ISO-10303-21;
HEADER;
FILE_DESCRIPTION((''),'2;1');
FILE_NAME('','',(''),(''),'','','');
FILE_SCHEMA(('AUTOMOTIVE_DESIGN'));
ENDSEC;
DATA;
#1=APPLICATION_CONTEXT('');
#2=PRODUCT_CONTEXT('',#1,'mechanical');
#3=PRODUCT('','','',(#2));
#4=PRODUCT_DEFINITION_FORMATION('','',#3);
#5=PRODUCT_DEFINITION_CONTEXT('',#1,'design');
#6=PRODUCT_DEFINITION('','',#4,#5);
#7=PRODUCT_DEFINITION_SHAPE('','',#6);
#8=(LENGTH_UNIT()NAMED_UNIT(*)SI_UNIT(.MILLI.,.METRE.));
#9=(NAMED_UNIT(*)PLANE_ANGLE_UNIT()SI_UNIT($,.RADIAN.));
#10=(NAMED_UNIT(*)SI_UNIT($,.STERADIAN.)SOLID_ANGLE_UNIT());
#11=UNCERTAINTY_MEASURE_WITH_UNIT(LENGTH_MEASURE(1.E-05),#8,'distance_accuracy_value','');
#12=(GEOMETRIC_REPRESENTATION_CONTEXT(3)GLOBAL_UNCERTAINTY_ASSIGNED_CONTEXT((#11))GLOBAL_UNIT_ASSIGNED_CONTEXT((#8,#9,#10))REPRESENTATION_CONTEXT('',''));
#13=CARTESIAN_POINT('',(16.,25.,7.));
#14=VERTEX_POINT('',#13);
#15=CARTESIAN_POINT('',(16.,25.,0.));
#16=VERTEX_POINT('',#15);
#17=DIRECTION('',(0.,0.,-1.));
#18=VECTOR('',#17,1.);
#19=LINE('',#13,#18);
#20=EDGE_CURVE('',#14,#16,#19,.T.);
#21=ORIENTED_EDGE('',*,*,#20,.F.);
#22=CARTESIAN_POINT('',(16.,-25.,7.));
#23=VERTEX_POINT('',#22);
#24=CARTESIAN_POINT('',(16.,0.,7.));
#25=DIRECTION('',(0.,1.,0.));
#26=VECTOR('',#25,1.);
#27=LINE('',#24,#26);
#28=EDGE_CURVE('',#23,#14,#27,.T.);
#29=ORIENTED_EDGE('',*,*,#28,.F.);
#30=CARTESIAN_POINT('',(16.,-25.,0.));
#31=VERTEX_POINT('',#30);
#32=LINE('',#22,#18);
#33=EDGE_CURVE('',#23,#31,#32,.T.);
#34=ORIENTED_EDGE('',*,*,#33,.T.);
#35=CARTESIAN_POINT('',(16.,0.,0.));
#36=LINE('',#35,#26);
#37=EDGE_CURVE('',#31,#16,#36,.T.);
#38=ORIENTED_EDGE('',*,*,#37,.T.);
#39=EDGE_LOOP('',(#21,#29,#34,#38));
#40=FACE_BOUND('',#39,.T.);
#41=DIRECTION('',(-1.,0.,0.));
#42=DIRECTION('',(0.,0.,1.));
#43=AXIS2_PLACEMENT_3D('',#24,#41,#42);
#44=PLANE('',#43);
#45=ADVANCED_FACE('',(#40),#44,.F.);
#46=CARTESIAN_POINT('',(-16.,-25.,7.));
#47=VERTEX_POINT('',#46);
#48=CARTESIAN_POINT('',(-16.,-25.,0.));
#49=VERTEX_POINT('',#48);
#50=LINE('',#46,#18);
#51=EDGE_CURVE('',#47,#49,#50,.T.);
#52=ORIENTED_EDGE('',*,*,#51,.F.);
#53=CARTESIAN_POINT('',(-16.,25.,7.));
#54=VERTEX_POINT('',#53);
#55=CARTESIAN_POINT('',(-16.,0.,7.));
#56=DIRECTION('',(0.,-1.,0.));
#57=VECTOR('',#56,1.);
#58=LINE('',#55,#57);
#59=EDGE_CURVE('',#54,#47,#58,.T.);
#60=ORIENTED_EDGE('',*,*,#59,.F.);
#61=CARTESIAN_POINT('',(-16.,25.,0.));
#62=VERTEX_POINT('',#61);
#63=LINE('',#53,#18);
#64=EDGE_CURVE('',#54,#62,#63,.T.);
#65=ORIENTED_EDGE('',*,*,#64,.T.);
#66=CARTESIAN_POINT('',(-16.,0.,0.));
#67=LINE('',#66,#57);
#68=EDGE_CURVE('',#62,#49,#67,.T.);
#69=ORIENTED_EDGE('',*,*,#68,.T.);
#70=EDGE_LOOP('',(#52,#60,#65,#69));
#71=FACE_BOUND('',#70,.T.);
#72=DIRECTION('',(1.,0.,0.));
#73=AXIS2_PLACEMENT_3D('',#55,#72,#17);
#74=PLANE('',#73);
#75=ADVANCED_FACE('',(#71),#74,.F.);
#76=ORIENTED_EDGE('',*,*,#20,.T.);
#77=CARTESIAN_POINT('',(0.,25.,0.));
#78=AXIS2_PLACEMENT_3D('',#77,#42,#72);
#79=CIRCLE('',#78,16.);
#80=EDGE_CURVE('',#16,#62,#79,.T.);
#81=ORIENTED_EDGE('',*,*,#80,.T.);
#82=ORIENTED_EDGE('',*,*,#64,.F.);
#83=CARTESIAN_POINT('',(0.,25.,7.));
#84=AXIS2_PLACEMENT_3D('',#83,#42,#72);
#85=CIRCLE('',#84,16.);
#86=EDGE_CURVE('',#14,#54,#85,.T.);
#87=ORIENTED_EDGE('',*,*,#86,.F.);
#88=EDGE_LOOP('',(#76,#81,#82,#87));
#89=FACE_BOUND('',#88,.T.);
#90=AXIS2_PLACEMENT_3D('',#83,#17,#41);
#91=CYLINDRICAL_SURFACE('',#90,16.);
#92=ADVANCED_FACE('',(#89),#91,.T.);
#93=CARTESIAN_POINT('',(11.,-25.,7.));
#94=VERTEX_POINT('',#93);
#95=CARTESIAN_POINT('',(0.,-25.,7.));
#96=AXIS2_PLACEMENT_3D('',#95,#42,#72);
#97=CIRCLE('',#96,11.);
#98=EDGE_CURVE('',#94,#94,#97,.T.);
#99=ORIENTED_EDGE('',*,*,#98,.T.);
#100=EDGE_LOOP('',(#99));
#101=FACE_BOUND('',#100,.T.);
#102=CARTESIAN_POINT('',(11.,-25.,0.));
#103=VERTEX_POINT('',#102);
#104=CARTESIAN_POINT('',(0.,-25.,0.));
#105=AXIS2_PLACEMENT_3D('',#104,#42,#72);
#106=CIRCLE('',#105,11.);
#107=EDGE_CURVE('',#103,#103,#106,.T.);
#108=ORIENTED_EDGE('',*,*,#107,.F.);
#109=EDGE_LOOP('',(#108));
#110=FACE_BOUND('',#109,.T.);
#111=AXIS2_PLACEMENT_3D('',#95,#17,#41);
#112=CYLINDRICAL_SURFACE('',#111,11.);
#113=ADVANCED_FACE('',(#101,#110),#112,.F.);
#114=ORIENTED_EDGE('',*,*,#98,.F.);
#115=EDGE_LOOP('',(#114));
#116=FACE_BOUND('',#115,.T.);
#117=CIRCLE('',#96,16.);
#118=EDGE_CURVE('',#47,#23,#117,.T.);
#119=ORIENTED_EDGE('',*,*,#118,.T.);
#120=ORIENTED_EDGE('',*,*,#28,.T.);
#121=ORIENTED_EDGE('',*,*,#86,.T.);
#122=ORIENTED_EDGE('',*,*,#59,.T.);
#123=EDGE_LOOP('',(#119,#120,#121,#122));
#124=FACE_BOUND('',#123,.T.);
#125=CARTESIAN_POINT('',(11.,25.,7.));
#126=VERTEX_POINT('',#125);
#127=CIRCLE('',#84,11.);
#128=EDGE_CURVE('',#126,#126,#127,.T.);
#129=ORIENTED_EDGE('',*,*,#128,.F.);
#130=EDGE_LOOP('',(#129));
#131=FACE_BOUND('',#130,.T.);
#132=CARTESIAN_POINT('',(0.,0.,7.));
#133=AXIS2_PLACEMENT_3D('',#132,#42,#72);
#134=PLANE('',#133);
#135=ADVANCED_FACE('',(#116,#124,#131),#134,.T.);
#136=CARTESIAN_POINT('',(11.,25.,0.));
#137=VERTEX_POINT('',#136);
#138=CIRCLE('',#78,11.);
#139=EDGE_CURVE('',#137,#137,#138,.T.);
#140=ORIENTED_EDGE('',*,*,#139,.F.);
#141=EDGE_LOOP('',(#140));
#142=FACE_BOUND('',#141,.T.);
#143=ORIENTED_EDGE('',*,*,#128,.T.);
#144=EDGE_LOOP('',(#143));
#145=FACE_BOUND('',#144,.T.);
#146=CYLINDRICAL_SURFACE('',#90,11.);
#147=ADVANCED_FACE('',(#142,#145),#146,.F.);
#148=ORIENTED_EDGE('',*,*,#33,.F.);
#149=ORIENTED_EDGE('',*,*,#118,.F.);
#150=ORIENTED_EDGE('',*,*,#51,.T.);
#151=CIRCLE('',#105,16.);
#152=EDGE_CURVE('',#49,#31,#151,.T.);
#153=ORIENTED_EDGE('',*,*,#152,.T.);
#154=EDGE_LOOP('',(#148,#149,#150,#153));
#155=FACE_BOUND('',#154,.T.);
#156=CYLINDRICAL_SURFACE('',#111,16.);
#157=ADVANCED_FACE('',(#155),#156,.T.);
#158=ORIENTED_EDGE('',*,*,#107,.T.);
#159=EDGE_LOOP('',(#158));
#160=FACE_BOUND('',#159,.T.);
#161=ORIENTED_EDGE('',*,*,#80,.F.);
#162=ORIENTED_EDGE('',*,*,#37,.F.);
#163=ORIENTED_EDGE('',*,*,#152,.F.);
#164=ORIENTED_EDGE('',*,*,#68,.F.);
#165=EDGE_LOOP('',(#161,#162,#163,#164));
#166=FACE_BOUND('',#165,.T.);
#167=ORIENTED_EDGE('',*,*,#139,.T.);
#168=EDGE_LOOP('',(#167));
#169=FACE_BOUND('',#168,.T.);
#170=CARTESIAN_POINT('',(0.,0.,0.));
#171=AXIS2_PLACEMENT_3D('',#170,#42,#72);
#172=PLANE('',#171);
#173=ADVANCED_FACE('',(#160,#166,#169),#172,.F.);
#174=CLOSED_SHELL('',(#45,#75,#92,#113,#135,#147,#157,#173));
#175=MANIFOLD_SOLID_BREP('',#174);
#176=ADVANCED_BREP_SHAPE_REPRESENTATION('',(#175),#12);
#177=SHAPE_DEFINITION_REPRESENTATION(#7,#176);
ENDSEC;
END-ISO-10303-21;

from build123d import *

# Parameters (mm, degrees)
SKETCH1_R           = 11
BOSS_EXTRUDE1_DEPTH = 7


with BuildPart() as part:
    # Sketch1 → Boss-Extrude1 (new body)
    with BuildSketch(Plane.XY):
        with BuildLine():
            ThreePointArc((16, 25), (0, 41), (-16, 25))
            Line((-16, 25), (-16, -25))
            ThreePointArc((-16, -25), (0, -41), (16, -25))
            Line((16, -25), (16, 25))
        make_face()
        with Locations((0, 25)):
            Circle(SKETCH1_R, mode=Mode.SUBTRACT)
        with Locations((0, -25)):
            Circle(SKETCH1_R, mode=Mode.SUBTRACT)
    extrude(amount=BOSS_EXTRUDE1_DEPTH)


solid = part.part
